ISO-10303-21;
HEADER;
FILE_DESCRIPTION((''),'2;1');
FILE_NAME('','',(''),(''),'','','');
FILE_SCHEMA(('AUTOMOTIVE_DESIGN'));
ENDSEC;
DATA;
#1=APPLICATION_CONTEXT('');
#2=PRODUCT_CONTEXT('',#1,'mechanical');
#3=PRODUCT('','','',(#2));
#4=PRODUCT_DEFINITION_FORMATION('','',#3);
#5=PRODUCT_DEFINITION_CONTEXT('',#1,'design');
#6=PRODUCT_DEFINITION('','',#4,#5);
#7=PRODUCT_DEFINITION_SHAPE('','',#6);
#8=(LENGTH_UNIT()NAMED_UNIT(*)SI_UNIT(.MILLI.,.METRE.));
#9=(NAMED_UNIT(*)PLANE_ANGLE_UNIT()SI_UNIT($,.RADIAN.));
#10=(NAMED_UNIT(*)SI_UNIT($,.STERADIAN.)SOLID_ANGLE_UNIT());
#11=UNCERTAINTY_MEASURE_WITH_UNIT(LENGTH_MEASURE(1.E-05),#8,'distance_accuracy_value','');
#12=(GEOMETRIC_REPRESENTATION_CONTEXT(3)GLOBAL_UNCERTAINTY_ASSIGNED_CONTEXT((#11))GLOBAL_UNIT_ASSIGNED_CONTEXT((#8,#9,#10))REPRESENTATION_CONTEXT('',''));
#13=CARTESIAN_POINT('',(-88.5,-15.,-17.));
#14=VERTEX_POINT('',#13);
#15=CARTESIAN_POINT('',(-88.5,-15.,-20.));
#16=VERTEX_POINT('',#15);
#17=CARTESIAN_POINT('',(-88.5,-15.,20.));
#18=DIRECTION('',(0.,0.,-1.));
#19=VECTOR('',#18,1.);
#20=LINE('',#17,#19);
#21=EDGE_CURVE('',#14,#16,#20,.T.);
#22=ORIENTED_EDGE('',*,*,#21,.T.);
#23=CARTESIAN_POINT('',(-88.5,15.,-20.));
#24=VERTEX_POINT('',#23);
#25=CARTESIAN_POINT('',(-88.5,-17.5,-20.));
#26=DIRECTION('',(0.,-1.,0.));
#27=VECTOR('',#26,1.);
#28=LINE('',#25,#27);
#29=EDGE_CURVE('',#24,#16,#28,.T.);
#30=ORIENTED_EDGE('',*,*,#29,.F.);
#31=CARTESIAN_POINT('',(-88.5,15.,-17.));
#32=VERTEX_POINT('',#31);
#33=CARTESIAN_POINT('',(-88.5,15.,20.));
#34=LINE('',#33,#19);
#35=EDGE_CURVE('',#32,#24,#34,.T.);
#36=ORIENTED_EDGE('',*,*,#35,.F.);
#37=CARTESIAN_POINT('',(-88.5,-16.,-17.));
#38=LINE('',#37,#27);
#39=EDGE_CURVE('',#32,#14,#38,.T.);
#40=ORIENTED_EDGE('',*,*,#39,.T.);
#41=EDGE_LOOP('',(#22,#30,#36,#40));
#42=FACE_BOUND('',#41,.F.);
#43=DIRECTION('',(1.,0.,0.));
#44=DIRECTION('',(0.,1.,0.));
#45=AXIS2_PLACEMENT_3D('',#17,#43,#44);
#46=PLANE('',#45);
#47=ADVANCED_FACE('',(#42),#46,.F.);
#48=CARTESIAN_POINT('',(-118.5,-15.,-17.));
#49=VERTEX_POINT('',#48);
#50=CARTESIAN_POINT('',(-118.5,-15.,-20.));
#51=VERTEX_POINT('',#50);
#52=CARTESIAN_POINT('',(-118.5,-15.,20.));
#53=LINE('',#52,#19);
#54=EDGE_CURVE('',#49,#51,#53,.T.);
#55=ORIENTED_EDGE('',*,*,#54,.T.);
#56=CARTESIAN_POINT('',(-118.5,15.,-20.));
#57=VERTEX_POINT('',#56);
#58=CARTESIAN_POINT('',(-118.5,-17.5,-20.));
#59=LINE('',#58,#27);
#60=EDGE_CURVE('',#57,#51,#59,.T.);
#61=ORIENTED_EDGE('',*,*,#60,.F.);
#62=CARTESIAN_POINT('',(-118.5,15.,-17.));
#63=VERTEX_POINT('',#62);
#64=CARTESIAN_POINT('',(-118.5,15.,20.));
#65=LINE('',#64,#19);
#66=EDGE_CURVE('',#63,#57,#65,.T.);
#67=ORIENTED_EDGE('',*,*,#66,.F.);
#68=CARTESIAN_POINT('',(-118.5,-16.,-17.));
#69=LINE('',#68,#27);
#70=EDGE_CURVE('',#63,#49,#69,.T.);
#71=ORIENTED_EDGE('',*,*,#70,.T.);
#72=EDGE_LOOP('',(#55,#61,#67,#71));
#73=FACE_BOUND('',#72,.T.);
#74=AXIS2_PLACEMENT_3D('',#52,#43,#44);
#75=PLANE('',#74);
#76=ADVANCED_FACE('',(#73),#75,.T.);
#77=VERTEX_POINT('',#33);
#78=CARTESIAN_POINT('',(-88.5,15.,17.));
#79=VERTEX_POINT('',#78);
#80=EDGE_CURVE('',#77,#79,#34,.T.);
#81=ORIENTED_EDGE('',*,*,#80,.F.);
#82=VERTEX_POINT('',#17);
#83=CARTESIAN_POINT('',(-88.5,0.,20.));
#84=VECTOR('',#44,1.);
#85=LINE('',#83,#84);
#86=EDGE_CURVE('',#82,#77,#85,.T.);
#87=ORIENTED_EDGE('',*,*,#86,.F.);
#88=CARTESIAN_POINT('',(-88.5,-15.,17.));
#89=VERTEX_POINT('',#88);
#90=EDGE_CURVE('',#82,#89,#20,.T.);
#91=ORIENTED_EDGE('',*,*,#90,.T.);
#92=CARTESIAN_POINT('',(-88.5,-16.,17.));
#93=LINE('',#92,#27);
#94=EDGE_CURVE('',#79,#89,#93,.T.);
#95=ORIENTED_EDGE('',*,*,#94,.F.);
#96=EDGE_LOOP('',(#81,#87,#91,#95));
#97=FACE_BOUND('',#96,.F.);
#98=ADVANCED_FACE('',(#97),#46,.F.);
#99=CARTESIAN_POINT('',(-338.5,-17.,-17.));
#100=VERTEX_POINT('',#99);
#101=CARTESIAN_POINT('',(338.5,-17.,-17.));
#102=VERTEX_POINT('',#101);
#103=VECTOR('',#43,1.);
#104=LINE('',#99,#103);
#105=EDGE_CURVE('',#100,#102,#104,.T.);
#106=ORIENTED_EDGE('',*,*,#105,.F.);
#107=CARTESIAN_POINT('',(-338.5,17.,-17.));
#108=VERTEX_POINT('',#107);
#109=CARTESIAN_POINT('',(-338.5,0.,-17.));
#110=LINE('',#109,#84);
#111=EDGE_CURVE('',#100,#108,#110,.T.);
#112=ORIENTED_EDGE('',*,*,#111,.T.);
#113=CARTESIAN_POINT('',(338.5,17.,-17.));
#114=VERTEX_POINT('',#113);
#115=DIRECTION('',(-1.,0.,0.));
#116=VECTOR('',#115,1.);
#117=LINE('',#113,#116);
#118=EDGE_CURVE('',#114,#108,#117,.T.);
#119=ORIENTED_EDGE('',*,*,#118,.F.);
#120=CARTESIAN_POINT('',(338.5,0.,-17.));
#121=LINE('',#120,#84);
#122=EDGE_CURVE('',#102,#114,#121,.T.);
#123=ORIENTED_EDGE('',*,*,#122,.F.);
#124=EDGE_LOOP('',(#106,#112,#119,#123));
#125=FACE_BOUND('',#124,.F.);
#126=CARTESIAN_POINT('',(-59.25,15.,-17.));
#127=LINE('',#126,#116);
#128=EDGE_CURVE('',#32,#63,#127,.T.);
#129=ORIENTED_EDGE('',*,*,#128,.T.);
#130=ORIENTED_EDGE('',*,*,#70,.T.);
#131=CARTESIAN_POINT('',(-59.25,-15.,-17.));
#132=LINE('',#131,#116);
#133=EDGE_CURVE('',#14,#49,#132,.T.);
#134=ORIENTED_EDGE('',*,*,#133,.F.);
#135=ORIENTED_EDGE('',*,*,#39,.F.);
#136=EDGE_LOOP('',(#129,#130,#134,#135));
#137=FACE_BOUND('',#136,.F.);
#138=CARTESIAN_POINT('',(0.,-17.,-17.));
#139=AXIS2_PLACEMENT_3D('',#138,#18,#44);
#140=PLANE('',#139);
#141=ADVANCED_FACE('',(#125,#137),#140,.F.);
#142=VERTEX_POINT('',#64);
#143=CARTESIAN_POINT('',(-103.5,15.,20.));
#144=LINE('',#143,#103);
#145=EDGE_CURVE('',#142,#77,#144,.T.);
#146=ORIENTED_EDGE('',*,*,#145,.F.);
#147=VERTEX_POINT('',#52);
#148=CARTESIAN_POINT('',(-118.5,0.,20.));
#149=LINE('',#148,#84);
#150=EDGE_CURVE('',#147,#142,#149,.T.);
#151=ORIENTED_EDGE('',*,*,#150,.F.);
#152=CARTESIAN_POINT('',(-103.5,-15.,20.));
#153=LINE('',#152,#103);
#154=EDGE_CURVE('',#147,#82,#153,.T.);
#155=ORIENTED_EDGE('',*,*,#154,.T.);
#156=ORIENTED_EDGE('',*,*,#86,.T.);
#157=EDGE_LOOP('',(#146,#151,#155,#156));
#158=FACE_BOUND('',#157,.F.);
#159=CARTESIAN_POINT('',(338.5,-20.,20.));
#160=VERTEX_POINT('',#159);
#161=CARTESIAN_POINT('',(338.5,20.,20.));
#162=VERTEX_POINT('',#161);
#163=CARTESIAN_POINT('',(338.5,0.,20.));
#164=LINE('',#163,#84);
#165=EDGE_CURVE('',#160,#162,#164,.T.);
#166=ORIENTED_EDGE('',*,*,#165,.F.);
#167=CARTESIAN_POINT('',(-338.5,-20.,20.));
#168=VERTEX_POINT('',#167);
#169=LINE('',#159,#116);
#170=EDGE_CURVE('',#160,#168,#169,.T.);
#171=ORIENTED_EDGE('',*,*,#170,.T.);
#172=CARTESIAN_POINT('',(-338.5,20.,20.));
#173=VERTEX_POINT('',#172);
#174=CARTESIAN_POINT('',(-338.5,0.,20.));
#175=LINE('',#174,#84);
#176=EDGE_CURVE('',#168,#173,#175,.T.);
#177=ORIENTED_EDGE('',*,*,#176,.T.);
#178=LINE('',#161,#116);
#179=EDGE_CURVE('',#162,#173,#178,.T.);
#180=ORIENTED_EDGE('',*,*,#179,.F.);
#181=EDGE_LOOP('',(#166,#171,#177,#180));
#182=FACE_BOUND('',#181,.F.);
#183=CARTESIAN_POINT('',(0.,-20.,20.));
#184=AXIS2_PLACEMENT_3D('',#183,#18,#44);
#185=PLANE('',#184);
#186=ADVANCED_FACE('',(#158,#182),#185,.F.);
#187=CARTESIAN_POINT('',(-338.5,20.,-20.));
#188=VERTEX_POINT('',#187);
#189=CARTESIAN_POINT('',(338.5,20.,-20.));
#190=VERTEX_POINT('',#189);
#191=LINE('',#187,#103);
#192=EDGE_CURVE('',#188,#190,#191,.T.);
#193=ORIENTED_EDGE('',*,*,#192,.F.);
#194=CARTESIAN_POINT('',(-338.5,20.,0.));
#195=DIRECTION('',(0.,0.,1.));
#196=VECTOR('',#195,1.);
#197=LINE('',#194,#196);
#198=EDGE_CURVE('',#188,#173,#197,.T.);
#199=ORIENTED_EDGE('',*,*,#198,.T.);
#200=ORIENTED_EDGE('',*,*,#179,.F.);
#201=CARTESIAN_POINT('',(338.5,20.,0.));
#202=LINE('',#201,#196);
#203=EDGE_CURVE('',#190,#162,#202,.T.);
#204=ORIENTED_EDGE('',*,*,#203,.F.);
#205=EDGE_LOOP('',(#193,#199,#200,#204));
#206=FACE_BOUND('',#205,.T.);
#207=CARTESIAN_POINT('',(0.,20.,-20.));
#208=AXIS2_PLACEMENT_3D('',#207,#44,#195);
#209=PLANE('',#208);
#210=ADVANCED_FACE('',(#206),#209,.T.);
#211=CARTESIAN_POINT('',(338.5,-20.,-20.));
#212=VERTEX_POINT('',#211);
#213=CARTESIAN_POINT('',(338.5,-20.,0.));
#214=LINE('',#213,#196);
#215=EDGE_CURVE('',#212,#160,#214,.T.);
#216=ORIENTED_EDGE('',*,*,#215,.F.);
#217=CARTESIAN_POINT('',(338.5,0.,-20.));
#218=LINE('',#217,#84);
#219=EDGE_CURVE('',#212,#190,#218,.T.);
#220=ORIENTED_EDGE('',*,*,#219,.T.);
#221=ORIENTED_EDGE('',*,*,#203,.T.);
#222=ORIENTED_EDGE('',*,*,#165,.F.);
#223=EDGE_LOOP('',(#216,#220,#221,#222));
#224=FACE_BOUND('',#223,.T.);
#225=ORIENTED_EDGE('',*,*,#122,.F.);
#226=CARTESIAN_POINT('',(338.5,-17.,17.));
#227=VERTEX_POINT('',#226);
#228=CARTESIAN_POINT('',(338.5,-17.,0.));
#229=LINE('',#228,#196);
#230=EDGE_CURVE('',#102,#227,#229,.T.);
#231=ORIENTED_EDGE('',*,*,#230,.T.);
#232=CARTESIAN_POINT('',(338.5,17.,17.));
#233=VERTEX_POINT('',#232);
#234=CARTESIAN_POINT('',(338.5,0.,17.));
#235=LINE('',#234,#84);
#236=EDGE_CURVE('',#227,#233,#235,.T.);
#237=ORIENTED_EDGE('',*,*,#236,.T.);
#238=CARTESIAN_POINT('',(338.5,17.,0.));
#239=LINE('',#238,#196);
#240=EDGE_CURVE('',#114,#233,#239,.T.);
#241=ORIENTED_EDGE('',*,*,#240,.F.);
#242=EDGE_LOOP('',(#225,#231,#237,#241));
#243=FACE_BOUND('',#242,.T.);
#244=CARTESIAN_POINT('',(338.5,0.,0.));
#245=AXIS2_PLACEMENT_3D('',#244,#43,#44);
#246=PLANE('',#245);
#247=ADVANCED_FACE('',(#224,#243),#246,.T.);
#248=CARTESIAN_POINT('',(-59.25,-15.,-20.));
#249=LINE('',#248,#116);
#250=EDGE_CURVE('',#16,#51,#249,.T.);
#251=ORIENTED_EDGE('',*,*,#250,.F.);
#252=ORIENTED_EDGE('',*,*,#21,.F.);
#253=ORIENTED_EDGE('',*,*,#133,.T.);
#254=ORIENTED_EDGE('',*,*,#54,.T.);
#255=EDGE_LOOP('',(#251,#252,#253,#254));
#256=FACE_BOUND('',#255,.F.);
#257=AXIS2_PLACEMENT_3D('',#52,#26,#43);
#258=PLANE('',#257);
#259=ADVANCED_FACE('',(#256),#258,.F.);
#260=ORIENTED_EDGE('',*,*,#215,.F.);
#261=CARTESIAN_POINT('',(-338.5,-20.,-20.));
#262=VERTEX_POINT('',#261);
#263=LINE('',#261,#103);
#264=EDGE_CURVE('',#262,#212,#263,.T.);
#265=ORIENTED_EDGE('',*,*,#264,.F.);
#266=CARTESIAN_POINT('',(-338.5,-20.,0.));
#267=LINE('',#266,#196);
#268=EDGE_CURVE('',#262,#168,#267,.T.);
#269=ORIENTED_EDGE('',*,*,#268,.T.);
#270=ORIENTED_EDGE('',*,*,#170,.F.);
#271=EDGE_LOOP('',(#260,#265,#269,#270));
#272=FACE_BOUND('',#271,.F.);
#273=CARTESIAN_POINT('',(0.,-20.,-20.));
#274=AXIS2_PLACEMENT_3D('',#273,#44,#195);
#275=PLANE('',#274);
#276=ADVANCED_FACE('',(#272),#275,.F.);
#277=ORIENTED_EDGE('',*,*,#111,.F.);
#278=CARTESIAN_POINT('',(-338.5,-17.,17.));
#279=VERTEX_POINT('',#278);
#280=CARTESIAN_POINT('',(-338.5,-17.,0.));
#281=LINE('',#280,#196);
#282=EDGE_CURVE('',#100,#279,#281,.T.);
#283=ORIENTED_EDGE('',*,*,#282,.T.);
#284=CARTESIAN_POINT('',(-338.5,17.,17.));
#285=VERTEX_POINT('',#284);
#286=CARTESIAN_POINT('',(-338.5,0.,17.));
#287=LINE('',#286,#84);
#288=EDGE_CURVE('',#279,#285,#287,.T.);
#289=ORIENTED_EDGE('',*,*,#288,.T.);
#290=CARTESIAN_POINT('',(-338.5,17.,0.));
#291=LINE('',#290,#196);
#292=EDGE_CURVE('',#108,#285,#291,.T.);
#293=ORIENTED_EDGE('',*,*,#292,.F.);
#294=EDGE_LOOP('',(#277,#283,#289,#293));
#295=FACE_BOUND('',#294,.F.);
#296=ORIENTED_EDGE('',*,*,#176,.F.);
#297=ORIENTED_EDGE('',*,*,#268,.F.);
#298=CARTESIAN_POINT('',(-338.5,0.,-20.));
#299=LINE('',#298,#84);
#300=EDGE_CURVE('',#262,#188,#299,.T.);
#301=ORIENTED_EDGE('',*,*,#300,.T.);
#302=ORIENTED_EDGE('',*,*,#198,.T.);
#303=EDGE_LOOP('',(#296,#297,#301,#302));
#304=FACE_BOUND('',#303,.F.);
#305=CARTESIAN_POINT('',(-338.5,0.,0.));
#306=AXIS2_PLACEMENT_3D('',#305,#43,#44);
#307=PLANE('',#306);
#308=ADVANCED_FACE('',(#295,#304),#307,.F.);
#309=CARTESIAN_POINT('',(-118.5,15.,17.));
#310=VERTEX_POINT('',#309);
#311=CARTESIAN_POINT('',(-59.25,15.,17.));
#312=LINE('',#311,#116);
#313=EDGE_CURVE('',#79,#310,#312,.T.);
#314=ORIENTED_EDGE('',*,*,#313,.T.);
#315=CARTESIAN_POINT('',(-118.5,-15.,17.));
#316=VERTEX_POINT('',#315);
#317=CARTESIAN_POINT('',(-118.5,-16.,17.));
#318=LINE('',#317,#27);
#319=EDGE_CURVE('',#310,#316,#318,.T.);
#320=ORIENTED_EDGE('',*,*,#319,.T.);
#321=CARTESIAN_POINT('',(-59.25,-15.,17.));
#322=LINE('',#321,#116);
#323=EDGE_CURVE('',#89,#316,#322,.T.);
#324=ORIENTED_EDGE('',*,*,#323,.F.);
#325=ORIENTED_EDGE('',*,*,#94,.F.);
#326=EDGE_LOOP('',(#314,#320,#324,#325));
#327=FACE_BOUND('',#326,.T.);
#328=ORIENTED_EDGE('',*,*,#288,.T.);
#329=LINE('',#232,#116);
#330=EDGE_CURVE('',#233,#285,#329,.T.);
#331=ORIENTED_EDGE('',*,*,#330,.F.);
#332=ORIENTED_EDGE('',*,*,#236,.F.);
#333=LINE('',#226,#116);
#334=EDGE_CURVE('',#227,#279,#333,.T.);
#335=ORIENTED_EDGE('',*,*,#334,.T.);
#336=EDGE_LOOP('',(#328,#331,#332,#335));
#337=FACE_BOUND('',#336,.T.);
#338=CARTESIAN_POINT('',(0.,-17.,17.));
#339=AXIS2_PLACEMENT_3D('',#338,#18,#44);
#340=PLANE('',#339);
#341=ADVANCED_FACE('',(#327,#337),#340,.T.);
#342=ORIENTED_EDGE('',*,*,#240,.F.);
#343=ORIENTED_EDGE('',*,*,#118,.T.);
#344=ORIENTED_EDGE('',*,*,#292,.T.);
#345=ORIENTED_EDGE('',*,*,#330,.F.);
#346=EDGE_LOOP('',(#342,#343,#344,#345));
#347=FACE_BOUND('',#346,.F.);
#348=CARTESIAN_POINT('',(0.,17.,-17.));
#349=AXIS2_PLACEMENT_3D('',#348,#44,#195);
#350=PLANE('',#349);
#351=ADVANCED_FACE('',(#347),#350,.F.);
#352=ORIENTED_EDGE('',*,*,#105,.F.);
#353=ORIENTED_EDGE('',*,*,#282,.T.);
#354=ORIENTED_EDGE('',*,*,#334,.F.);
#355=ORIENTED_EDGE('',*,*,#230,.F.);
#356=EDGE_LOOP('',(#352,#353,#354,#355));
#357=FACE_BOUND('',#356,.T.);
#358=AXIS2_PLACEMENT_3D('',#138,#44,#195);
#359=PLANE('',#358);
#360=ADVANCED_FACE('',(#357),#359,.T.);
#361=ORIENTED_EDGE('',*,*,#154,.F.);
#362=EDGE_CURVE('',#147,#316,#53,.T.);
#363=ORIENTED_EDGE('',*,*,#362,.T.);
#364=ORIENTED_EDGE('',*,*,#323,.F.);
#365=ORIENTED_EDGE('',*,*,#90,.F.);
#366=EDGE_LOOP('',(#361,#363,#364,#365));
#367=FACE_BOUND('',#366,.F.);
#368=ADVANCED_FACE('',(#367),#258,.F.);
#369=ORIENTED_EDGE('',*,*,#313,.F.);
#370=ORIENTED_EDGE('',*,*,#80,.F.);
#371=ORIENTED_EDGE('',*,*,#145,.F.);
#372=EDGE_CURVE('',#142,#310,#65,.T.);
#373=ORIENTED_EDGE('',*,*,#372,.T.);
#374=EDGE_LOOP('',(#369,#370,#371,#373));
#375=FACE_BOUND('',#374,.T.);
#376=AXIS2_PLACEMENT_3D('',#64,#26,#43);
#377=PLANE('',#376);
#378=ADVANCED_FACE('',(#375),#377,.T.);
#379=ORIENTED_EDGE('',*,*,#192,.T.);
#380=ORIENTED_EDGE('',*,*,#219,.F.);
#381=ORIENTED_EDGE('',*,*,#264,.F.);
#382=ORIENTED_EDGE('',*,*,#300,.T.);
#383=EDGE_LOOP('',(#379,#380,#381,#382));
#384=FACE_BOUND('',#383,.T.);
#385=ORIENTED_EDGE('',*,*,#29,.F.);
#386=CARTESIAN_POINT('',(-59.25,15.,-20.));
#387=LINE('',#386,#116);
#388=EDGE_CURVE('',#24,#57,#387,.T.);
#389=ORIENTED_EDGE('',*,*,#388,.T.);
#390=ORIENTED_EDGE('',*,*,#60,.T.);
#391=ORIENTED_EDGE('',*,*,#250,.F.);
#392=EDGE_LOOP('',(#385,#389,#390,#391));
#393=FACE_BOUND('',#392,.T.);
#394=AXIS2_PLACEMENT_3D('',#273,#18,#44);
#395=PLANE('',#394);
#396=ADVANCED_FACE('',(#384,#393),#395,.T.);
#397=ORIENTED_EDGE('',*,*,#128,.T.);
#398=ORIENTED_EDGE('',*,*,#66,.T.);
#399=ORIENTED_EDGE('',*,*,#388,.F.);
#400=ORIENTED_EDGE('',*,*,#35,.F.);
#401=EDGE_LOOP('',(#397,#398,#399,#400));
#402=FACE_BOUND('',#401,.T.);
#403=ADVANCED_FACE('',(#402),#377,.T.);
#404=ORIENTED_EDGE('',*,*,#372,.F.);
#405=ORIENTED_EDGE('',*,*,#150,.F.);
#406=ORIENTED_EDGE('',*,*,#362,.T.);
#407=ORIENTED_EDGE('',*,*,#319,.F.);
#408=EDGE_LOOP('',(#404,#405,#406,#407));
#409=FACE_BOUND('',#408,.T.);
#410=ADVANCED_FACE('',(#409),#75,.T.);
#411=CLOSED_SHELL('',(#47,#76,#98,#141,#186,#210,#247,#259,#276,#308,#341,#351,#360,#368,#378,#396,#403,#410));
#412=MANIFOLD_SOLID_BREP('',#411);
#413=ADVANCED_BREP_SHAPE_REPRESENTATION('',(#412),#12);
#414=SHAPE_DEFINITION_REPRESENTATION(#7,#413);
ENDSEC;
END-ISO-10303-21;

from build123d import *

# Parameters (mm, degrees)
F0_W     = 40
F0_H     = 40
F0_W_2   = 34
F0_H_2   = 34
F1_DEPTH = 338.5
F2_W     = 30
F2_H     = 30
F3_DEPTH = 40.001


with BuildPart() as f1:
    # F0 (on Right) → F1 (new body, symmetric)
    with BuildSketch(Plane.YZ):
        Rectangle(F0_W, F0_H)
        Rectangle(F0_W_2, F0_H_2, mode=Mode.SUBTRACT)
    extrude(amount=F1_DEPTH, both=True)

    # F2 (on face) → F3 (cut, through all)
    with BuildSketch(Plane.XY.offset(20)):
        with Locations((-103.5, 0)):
            Rectangle(F2_W, F2_H)
    extrude(amount=-F3_DEPTH, mode=Mode.SUBTRACT)


solid = f1.part
